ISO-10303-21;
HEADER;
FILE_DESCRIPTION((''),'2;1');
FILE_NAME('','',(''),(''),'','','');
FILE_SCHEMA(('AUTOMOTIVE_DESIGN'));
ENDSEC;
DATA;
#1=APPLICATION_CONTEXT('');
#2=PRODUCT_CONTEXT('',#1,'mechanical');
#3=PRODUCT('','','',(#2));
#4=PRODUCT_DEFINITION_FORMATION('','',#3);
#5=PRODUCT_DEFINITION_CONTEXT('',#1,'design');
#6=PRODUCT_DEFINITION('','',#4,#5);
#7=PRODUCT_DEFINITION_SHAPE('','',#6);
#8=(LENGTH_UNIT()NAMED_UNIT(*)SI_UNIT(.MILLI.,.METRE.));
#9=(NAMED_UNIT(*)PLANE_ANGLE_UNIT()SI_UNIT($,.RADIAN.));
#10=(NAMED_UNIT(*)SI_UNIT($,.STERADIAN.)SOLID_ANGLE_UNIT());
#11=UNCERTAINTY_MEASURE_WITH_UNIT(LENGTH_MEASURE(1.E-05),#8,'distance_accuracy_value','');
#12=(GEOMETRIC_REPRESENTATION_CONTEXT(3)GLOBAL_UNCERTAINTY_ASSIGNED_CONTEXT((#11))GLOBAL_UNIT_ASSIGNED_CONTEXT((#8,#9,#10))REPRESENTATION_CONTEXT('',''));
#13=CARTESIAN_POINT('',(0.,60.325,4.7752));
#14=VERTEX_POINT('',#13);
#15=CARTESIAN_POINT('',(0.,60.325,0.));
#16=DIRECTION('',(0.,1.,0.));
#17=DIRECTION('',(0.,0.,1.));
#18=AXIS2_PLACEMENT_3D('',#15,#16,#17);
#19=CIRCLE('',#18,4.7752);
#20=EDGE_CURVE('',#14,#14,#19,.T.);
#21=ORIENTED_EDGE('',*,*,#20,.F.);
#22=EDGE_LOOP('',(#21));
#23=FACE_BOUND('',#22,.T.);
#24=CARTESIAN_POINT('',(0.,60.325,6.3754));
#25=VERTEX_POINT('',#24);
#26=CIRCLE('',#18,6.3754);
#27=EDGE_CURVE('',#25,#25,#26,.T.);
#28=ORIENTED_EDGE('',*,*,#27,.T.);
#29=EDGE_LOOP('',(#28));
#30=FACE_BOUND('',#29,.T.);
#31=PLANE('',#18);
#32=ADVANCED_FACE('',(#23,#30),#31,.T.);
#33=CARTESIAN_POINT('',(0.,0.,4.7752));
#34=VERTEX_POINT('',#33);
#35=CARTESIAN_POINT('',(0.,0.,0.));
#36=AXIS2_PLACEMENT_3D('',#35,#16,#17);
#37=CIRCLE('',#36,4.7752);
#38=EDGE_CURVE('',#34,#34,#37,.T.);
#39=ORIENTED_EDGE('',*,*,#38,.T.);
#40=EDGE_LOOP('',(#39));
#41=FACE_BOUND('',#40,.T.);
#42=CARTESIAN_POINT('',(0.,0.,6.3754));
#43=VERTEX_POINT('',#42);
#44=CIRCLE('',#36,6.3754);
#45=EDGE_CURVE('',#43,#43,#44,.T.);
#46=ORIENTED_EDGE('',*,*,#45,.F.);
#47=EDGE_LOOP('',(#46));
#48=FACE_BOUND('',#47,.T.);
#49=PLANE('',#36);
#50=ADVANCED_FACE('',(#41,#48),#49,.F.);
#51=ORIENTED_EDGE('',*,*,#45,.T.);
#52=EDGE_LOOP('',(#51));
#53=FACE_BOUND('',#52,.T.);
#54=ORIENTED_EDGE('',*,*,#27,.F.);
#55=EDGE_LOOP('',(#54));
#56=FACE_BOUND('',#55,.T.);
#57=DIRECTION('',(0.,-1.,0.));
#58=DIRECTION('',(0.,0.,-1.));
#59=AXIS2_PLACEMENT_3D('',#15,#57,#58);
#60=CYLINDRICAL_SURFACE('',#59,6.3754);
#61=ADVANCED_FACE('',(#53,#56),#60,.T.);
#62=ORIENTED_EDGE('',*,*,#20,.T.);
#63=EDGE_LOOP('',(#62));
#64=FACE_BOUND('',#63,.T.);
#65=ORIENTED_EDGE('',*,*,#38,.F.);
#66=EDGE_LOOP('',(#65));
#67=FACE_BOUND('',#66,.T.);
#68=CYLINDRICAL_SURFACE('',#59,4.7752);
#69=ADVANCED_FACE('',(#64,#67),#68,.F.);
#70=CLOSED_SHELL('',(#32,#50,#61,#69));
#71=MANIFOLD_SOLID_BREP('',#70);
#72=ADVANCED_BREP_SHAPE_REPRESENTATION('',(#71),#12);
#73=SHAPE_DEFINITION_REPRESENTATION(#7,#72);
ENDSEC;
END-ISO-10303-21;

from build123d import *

# Parameters (mm, degrees)
SKETCH2_R           = 6.3754
SKETCH2_R_2         = 4.7752
BOSS_EXTRUDE1_DEPTH = 60.325


with BuildPart() as part:
    # Sketch2 → Boss-Extrude1 (new body)
    with BuildSketch(Plane(origin=(0, 0, 0), x_dir=(1, 0, 0), z_dir=(0, 1, 0))):
        with Locations(Location((0, 0, 0), (0, 0, 270))):
            Circle(SKETCH2_R)
        with Locations(Location((0, 0, 0), (0, 0, 270))):
            Circle(SKETCH2_R_2, mode=Mode.SUBTRACT)
    extrude(amount=BOSS_EXTRUDE1_DEPTH)


solid = part.part
